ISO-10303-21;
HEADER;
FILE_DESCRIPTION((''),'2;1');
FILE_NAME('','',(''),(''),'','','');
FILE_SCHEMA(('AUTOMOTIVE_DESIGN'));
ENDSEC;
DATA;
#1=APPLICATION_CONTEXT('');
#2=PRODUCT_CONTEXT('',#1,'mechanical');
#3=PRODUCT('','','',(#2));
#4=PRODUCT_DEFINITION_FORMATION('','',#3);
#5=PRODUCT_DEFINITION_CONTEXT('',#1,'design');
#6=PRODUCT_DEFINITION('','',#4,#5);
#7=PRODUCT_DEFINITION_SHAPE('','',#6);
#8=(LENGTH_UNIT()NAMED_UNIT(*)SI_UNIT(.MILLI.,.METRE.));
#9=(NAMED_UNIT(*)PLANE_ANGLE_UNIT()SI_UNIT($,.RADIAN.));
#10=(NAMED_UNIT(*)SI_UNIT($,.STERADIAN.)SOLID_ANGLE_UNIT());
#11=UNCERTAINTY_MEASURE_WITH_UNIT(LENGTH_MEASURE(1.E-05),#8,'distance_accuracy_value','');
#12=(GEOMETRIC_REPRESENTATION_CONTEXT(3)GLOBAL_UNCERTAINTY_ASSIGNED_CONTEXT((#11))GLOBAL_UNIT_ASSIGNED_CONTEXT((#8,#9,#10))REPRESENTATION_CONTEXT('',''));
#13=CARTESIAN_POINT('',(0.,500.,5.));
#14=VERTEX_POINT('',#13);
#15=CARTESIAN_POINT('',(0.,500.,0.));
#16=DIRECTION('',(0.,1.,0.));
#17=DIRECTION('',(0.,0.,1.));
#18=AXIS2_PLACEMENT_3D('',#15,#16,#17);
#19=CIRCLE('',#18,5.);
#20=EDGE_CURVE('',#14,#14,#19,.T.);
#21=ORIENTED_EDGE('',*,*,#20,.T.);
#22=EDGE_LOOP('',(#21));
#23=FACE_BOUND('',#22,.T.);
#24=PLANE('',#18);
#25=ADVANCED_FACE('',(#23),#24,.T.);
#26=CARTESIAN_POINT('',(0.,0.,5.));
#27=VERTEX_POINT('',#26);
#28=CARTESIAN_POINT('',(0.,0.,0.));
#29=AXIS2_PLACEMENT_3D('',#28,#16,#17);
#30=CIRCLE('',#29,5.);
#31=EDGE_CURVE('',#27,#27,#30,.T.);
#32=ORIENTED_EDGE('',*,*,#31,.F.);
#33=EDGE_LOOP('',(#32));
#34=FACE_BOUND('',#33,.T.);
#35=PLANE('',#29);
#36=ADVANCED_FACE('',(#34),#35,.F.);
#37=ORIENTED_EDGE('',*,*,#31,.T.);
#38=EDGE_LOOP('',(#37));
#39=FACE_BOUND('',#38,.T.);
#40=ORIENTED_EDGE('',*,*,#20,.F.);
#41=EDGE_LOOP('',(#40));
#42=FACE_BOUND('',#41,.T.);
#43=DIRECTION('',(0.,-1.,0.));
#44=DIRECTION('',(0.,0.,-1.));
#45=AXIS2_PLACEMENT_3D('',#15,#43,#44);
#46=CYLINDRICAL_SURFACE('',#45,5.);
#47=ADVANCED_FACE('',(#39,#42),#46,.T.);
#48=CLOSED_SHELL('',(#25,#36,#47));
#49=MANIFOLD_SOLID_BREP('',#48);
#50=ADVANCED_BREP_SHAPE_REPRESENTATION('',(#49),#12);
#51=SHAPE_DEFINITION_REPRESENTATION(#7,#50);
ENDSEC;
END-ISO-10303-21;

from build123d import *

# Parameters (mm, degrees)
SKETCH1_R           = 5
BOSS_EXTRUDE1_DEPTH = 500


with BuildPart() as part:
    # Sketch1 → Boss-Extrude1 (new body)
    with BuildSketch(Plane(origin=(0, 0, 0), x_dir=(1, 0, 0), z_dir=(0, 1, 0))):
        Circle(SKETCH1_R)
    extrude(amount=BOSS_EXTRUDE1_DEPTH)


solid = part.part
